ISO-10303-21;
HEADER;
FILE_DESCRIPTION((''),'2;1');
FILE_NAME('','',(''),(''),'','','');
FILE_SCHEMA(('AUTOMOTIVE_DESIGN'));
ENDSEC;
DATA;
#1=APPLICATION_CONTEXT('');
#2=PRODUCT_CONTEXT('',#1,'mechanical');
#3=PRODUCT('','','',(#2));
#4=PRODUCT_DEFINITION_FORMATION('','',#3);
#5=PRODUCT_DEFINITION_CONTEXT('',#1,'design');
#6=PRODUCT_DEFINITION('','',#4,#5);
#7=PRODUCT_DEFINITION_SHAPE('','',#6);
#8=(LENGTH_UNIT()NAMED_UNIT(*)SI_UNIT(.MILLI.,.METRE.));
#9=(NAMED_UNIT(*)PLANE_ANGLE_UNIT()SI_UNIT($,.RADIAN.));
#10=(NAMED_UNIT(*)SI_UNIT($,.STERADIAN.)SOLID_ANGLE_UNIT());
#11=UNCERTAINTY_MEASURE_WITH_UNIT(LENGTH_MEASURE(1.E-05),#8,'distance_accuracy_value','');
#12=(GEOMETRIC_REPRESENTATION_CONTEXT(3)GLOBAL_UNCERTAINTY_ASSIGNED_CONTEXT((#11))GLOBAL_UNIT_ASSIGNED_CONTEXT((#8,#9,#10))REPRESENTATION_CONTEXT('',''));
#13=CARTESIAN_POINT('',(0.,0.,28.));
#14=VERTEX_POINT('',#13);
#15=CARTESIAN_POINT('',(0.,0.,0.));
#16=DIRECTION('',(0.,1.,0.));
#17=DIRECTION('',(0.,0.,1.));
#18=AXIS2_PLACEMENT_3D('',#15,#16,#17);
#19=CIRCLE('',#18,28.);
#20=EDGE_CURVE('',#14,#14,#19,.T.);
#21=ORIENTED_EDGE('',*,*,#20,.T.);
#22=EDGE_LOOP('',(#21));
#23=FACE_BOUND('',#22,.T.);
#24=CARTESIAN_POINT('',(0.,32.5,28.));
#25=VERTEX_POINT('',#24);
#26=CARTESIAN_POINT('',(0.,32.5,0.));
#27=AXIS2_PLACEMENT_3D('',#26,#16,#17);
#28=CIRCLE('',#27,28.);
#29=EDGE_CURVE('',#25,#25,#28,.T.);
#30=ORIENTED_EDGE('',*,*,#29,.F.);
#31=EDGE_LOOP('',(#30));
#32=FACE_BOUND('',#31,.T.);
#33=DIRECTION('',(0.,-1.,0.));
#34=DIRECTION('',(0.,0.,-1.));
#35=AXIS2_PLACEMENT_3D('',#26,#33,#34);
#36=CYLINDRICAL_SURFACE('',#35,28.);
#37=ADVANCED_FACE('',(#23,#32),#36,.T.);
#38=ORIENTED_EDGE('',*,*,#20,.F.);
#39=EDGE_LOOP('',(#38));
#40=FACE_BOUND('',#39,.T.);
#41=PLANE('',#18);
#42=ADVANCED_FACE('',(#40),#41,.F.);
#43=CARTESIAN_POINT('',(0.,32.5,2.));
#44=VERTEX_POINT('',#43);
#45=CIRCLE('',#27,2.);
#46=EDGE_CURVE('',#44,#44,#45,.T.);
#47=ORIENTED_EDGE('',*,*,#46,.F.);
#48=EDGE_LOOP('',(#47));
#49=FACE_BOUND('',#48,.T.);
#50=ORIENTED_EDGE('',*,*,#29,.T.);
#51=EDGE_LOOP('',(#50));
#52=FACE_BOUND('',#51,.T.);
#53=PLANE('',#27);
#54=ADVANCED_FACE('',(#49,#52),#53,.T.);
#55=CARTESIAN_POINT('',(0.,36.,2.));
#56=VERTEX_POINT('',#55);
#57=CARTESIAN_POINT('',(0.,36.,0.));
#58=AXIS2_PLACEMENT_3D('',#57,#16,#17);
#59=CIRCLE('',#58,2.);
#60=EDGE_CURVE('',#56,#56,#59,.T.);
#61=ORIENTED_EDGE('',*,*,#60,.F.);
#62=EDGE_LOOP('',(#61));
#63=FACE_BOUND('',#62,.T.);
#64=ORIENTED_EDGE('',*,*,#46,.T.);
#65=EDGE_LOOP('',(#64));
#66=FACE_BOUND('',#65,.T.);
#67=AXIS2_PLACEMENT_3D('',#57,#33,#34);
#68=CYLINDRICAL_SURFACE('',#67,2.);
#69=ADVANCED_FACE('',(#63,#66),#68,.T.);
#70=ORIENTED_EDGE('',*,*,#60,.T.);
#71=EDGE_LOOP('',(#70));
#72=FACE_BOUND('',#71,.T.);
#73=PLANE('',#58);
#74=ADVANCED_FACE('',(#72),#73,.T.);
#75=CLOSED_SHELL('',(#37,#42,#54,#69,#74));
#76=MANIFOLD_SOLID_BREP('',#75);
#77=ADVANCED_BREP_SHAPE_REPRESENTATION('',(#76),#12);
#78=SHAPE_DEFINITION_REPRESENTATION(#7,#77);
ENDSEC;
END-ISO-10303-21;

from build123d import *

# Parameters (mm, degrees)
SKETCH1_R           = 28
BOSS_EXTRUDE1_DEPTH = 32.5
SKETCH2_R           = 2
BOSS_EXTRUDE2_DEPTH = 3.5


with BuildPart() as part:
    # Sketch1 → Boss-Extrude1 (new body)
    with BuildSketch(Plane(origin=(0, 0, 0), x_dir=(1, 0, 0), z_dir=(0, 1, 0))):
        Circle(SKETCH1_R)
    extrude(amount=BOSS_EXTRUDE1_DEPTH)

    # Sketch2 → Boss-Extrude2 (add)
    with BuildSketch(Plane(origin=(0, 32.5, 0), x_dir=(1, 0, 0), z_dir=(0, 1, 0))):
        Circle(SKETCH2_R)
    extrude(amount=BOSS_EXTRUDE2_DEPTH)


solid = part.part
